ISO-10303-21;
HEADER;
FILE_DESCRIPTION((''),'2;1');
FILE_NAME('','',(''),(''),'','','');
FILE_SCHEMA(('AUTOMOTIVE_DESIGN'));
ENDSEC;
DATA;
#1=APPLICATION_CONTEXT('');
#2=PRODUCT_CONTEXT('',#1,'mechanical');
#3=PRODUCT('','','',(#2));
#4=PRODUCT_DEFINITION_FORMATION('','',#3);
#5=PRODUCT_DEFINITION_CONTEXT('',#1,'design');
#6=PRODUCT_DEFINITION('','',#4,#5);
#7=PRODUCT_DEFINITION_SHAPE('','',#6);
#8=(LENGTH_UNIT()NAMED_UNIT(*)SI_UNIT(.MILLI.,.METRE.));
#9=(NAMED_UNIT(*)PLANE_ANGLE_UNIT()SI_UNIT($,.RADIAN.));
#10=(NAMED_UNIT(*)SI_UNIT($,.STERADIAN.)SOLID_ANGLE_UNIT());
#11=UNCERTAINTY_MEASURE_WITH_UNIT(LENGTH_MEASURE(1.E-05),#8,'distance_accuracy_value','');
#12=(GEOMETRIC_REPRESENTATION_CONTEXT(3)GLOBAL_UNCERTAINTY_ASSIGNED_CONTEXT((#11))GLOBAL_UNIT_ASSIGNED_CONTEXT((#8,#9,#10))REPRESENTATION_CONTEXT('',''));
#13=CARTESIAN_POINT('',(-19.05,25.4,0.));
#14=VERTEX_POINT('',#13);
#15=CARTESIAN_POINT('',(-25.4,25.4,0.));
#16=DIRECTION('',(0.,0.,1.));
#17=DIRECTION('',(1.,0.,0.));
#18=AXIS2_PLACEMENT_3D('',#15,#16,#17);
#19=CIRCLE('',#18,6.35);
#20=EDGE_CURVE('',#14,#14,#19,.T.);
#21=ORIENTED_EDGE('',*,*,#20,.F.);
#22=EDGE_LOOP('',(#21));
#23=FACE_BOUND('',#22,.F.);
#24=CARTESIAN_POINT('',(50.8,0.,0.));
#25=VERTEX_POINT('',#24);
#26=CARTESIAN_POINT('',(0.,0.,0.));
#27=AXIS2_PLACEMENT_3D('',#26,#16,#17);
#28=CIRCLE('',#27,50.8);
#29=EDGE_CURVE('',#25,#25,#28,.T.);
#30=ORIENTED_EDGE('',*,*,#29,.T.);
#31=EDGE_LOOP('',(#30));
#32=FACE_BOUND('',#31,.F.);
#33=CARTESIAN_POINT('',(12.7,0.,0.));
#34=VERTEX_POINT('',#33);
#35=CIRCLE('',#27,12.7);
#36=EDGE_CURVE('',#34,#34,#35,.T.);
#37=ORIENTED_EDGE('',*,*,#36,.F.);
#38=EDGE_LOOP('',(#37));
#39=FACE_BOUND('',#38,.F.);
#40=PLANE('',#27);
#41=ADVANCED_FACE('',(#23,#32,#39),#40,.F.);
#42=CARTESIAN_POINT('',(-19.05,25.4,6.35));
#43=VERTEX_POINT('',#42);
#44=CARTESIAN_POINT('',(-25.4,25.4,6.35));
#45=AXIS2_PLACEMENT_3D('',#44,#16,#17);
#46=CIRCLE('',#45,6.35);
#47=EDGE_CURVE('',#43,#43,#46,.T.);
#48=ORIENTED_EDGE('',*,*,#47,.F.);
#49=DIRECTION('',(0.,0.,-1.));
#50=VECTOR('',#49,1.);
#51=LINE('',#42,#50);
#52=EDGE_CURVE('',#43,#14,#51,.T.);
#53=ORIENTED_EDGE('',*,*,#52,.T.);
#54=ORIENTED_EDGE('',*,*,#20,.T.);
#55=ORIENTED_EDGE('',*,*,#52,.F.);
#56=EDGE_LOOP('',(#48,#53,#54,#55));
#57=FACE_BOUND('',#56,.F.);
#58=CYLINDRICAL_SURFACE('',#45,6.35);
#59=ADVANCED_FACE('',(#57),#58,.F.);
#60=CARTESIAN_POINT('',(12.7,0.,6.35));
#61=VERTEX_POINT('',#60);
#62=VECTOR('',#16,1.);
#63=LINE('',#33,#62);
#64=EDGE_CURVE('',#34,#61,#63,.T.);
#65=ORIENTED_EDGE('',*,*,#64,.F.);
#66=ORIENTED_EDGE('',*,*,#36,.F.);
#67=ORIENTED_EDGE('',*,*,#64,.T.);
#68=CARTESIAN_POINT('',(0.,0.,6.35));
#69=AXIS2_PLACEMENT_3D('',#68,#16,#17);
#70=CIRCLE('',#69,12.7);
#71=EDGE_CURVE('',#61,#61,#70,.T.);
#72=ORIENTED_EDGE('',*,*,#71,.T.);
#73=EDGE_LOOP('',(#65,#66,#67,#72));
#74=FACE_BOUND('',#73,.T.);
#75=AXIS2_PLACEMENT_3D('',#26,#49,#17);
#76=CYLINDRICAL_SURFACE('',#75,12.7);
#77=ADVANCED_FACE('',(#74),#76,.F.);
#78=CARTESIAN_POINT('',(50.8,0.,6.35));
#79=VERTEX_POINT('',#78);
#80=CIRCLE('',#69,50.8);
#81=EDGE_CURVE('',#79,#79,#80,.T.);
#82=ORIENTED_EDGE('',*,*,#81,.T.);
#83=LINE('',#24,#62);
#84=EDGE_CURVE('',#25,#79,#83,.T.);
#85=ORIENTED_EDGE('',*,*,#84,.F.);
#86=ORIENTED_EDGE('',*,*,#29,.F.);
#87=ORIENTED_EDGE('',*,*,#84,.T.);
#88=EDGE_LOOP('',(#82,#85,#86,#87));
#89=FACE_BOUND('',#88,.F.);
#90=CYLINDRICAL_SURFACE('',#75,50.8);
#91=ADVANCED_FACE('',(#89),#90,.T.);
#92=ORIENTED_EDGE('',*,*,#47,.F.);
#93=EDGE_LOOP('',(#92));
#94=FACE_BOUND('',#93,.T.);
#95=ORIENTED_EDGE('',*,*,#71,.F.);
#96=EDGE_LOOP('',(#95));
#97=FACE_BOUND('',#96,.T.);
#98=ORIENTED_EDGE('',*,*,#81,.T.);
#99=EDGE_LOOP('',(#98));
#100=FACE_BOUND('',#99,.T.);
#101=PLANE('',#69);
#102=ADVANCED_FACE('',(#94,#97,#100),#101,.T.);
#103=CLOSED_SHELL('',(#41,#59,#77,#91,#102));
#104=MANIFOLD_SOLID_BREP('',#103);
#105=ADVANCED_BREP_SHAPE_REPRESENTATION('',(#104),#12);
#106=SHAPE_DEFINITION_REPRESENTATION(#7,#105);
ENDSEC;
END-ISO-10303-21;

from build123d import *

# Parameters (mm, degrees)
F0_R     = 50.8
F0_R_2   = 12.7
F1_DEPTH = 6.35
F2_R     = 6.35
F3_DEPTH = 6.351


with BuildPart() as f1:
    # F0 (on Top) → F1 (new body)
    with BuildSketch(Plane.XY):
        Circle(F0_R)
        Circle(F0_R_2, mode=Mode.SUBTRACT)
    extrude(amount=F1_DEPTH)

    # F2 (on face) → F3 (cut, through all)
    with BuildSketch(Plane.XY.offset(6.35)):
        with Locations((-25.4, 25.4)):
            Circle(F2_R)
    extrude(amount=-F3_DEPTH, mode=Mode.SUBTRACT)


solid = f1.part
